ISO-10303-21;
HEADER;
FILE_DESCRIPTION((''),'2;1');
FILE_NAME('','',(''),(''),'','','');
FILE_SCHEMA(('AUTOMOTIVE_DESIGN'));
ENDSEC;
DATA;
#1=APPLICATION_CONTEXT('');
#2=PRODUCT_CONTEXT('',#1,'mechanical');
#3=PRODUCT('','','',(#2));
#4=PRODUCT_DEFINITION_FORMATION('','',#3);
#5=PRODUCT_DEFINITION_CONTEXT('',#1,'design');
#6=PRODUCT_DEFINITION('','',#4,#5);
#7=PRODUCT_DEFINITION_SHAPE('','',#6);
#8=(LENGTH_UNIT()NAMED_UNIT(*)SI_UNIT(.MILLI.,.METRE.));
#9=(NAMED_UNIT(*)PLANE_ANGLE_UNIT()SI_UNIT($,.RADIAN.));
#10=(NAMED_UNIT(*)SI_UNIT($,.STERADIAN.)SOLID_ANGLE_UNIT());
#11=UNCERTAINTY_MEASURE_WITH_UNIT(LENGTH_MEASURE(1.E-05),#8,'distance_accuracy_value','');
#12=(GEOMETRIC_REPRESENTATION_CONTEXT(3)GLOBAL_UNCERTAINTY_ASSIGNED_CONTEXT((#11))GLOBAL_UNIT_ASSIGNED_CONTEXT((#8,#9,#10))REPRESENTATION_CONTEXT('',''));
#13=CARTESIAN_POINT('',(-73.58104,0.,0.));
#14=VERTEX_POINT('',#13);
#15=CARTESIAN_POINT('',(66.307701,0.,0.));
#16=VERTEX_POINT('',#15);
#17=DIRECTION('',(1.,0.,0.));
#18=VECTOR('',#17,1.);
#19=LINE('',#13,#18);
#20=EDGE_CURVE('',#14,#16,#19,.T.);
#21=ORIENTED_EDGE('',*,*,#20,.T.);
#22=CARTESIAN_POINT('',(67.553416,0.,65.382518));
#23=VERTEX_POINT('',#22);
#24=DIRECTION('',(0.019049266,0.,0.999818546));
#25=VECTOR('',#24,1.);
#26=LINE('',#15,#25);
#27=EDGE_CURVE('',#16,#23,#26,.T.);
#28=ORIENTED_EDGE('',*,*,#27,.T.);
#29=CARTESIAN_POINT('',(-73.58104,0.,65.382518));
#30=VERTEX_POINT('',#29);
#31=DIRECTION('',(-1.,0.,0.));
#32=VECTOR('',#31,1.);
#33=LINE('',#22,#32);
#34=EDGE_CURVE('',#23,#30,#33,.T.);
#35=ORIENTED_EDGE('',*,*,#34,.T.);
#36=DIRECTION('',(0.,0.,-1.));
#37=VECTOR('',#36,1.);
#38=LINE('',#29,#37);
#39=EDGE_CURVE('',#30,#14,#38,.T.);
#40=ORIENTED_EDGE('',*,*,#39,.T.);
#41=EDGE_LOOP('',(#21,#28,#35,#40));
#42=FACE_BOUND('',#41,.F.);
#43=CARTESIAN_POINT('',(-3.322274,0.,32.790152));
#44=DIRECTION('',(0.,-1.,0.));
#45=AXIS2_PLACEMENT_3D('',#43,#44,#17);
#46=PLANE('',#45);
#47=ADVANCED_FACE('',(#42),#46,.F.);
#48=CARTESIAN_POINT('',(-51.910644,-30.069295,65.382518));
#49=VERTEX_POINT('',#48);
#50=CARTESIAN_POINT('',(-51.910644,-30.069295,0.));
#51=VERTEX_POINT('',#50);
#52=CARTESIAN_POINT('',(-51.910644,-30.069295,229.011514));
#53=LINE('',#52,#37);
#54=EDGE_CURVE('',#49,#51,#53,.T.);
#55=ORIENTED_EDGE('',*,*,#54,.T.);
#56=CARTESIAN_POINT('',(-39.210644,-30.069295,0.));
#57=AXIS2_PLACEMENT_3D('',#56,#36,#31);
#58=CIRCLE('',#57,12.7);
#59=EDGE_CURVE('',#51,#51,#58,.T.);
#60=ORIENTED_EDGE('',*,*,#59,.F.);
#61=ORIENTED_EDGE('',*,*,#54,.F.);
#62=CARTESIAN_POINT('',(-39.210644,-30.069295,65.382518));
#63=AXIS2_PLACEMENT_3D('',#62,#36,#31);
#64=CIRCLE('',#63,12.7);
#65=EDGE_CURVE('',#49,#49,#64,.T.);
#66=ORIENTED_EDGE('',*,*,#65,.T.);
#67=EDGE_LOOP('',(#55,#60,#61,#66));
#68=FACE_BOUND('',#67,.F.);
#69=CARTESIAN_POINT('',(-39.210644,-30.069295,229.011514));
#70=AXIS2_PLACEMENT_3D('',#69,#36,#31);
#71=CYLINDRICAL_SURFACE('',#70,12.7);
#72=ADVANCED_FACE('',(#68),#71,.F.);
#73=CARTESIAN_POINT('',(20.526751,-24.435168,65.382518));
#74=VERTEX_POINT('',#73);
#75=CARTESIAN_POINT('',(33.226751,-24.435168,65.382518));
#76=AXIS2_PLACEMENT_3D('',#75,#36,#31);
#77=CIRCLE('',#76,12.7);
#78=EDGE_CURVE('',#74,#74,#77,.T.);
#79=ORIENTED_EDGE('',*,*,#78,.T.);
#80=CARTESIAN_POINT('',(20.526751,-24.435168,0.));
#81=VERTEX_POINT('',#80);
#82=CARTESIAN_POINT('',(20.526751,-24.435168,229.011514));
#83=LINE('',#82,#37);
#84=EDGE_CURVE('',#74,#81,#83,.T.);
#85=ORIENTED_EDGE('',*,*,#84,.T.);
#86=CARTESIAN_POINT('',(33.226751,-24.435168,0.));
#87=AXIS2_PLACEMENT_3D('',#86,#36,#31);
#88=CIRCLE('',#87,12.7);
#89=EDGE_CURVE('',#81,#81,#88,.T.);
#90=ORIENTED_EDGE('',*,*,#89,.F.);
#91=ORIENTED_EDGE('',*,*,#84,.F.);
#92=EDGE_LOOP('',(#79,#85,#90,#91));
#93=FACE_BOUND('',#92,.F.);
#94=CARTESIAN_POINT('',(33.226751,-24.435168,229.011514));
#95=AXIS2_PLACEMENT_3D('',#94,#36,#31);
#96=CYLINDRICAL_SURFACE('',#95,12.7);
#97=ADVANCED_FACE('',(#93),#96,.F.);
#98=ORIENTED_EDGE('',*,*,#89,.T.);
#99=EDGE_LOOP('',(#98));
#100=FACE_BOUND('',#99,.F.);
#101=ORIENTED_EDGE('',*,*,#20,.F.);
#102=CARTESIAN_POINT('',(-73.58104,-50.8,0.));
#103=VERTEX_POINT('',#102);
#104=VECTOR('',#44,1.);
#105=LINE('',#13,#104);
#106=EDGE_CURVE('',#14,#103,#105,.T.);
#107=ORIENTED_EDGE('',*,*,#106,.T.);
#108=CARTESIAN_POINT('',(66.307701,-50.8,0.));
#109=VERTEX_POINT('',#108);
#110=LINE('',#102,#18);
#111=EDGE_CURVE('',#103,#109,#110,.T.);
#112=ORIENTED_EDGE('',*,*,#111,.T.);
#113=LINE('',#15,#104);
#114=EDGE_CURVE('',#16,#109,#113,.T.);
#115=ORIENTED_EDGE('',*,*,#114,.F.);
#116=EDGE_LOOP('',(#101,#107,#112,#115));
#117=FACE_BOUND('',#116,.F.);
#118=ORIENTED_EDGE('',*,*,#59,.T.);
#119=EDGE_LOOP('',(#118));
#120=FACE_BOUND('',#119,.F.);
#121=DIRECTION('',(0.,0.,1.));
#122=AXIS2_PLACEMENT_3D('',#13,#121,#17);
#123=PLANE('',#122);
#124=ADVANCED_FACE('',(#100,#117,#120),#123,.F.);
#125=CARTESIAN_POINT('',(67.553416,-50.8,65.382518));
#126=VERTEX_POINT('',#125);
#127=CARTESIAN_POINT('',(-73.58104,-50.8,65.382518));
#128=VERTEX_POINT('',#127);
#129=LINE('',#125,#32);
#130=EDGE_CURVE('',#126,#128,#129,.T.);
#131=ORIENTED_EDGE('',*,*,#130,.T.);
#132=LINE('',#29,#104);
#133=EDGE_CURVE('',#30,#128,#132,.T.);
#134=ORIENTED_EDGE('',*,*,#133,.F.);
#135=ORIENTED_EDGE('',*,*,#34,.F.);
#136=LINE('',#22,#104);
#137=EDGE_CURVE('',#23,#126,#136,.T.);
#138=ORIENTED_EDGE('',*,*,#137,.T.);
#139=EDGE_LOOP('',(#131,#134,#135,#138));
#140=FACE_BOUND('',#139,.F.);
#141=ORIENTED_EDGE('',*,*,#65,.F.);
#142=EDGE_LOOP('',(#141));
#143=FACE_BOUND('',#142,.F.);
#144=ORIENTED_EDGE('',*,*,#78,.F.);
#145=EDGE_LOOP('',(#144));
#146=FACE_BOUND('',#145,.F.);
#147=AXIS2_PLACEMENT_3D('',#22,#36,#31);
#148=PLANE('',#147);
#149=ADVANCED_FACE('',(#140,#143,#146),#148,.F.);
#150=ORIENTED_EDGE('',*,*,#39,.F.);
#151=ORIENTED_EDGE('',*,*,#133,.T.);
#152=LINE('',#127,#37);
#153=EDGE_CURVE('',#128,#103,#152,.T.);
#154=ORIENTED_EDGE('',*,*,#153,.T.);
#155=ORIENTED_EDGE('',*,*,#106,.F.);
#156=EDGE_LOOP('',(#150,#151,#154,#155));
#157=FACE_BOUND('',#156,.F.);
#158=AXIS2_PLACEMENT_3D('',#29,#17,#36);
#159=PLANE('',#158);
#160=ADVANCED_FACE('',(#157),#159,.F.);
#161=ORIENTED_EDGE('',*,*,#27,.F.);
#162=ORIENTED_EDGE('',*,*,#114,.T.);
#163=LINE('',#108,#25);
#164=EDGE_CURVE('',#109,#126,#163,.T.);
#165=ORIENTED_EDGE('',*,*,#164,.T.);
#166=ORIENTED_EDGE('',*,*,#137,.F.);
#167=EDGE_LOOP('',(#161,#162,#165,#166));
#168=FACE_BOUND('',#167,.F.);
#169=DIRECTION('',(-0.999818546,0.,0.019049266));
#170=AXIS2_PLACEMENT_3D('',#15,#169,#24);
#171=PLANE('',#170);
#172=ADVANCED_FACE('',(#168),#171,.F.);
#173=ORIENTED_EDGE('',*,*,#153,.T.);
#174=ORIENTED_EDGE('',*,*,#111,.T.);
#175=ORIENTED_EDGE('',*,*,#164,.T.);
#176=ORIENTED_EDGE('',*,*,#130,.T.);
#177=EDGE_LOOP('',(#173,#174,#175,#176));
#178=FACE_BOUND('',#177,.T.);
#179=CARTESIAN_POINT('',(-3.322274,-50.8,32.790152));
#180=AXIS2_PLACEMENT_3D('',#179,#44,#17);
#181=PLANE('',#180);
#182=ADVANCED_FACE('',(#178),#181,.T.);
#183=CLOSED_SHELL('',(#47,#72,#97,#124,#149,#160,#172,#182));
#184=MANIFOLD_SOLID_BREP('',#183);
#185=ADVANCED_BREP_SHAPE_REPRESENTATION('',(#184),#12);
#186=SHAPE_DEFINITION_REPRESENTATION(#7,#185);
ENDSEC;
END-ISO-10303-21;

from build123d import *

# Parameters (mm, degrees)
F1_DEPTH = 50.8
F3_D     = 25.4
F5_D     = 25.4


with BuildPart() as f1:
    # F0 (on Front) → F1 (new body)
    with BuildSketch(Plane.XZ):
        Polygon((-73.58104, 0), (66.307701, 0), (67.553416, 65.382518), (-73.58104, 65.382518), align=None)
    extrude(amount=F1_DEPTH)

    # F3 (through all)
    with Locations(Plane.XY.offset(65.382518)):
        with Locations((-39.210644, -30.069295)):
            Hole(F3_D / 2)

    # F5 (through all)
    with Locations(Plane.XY.offset(65.382518)):
        with Locations((33.226751, -24.435168)):
            Hole(F5_D / 2)


solid = f1.part
